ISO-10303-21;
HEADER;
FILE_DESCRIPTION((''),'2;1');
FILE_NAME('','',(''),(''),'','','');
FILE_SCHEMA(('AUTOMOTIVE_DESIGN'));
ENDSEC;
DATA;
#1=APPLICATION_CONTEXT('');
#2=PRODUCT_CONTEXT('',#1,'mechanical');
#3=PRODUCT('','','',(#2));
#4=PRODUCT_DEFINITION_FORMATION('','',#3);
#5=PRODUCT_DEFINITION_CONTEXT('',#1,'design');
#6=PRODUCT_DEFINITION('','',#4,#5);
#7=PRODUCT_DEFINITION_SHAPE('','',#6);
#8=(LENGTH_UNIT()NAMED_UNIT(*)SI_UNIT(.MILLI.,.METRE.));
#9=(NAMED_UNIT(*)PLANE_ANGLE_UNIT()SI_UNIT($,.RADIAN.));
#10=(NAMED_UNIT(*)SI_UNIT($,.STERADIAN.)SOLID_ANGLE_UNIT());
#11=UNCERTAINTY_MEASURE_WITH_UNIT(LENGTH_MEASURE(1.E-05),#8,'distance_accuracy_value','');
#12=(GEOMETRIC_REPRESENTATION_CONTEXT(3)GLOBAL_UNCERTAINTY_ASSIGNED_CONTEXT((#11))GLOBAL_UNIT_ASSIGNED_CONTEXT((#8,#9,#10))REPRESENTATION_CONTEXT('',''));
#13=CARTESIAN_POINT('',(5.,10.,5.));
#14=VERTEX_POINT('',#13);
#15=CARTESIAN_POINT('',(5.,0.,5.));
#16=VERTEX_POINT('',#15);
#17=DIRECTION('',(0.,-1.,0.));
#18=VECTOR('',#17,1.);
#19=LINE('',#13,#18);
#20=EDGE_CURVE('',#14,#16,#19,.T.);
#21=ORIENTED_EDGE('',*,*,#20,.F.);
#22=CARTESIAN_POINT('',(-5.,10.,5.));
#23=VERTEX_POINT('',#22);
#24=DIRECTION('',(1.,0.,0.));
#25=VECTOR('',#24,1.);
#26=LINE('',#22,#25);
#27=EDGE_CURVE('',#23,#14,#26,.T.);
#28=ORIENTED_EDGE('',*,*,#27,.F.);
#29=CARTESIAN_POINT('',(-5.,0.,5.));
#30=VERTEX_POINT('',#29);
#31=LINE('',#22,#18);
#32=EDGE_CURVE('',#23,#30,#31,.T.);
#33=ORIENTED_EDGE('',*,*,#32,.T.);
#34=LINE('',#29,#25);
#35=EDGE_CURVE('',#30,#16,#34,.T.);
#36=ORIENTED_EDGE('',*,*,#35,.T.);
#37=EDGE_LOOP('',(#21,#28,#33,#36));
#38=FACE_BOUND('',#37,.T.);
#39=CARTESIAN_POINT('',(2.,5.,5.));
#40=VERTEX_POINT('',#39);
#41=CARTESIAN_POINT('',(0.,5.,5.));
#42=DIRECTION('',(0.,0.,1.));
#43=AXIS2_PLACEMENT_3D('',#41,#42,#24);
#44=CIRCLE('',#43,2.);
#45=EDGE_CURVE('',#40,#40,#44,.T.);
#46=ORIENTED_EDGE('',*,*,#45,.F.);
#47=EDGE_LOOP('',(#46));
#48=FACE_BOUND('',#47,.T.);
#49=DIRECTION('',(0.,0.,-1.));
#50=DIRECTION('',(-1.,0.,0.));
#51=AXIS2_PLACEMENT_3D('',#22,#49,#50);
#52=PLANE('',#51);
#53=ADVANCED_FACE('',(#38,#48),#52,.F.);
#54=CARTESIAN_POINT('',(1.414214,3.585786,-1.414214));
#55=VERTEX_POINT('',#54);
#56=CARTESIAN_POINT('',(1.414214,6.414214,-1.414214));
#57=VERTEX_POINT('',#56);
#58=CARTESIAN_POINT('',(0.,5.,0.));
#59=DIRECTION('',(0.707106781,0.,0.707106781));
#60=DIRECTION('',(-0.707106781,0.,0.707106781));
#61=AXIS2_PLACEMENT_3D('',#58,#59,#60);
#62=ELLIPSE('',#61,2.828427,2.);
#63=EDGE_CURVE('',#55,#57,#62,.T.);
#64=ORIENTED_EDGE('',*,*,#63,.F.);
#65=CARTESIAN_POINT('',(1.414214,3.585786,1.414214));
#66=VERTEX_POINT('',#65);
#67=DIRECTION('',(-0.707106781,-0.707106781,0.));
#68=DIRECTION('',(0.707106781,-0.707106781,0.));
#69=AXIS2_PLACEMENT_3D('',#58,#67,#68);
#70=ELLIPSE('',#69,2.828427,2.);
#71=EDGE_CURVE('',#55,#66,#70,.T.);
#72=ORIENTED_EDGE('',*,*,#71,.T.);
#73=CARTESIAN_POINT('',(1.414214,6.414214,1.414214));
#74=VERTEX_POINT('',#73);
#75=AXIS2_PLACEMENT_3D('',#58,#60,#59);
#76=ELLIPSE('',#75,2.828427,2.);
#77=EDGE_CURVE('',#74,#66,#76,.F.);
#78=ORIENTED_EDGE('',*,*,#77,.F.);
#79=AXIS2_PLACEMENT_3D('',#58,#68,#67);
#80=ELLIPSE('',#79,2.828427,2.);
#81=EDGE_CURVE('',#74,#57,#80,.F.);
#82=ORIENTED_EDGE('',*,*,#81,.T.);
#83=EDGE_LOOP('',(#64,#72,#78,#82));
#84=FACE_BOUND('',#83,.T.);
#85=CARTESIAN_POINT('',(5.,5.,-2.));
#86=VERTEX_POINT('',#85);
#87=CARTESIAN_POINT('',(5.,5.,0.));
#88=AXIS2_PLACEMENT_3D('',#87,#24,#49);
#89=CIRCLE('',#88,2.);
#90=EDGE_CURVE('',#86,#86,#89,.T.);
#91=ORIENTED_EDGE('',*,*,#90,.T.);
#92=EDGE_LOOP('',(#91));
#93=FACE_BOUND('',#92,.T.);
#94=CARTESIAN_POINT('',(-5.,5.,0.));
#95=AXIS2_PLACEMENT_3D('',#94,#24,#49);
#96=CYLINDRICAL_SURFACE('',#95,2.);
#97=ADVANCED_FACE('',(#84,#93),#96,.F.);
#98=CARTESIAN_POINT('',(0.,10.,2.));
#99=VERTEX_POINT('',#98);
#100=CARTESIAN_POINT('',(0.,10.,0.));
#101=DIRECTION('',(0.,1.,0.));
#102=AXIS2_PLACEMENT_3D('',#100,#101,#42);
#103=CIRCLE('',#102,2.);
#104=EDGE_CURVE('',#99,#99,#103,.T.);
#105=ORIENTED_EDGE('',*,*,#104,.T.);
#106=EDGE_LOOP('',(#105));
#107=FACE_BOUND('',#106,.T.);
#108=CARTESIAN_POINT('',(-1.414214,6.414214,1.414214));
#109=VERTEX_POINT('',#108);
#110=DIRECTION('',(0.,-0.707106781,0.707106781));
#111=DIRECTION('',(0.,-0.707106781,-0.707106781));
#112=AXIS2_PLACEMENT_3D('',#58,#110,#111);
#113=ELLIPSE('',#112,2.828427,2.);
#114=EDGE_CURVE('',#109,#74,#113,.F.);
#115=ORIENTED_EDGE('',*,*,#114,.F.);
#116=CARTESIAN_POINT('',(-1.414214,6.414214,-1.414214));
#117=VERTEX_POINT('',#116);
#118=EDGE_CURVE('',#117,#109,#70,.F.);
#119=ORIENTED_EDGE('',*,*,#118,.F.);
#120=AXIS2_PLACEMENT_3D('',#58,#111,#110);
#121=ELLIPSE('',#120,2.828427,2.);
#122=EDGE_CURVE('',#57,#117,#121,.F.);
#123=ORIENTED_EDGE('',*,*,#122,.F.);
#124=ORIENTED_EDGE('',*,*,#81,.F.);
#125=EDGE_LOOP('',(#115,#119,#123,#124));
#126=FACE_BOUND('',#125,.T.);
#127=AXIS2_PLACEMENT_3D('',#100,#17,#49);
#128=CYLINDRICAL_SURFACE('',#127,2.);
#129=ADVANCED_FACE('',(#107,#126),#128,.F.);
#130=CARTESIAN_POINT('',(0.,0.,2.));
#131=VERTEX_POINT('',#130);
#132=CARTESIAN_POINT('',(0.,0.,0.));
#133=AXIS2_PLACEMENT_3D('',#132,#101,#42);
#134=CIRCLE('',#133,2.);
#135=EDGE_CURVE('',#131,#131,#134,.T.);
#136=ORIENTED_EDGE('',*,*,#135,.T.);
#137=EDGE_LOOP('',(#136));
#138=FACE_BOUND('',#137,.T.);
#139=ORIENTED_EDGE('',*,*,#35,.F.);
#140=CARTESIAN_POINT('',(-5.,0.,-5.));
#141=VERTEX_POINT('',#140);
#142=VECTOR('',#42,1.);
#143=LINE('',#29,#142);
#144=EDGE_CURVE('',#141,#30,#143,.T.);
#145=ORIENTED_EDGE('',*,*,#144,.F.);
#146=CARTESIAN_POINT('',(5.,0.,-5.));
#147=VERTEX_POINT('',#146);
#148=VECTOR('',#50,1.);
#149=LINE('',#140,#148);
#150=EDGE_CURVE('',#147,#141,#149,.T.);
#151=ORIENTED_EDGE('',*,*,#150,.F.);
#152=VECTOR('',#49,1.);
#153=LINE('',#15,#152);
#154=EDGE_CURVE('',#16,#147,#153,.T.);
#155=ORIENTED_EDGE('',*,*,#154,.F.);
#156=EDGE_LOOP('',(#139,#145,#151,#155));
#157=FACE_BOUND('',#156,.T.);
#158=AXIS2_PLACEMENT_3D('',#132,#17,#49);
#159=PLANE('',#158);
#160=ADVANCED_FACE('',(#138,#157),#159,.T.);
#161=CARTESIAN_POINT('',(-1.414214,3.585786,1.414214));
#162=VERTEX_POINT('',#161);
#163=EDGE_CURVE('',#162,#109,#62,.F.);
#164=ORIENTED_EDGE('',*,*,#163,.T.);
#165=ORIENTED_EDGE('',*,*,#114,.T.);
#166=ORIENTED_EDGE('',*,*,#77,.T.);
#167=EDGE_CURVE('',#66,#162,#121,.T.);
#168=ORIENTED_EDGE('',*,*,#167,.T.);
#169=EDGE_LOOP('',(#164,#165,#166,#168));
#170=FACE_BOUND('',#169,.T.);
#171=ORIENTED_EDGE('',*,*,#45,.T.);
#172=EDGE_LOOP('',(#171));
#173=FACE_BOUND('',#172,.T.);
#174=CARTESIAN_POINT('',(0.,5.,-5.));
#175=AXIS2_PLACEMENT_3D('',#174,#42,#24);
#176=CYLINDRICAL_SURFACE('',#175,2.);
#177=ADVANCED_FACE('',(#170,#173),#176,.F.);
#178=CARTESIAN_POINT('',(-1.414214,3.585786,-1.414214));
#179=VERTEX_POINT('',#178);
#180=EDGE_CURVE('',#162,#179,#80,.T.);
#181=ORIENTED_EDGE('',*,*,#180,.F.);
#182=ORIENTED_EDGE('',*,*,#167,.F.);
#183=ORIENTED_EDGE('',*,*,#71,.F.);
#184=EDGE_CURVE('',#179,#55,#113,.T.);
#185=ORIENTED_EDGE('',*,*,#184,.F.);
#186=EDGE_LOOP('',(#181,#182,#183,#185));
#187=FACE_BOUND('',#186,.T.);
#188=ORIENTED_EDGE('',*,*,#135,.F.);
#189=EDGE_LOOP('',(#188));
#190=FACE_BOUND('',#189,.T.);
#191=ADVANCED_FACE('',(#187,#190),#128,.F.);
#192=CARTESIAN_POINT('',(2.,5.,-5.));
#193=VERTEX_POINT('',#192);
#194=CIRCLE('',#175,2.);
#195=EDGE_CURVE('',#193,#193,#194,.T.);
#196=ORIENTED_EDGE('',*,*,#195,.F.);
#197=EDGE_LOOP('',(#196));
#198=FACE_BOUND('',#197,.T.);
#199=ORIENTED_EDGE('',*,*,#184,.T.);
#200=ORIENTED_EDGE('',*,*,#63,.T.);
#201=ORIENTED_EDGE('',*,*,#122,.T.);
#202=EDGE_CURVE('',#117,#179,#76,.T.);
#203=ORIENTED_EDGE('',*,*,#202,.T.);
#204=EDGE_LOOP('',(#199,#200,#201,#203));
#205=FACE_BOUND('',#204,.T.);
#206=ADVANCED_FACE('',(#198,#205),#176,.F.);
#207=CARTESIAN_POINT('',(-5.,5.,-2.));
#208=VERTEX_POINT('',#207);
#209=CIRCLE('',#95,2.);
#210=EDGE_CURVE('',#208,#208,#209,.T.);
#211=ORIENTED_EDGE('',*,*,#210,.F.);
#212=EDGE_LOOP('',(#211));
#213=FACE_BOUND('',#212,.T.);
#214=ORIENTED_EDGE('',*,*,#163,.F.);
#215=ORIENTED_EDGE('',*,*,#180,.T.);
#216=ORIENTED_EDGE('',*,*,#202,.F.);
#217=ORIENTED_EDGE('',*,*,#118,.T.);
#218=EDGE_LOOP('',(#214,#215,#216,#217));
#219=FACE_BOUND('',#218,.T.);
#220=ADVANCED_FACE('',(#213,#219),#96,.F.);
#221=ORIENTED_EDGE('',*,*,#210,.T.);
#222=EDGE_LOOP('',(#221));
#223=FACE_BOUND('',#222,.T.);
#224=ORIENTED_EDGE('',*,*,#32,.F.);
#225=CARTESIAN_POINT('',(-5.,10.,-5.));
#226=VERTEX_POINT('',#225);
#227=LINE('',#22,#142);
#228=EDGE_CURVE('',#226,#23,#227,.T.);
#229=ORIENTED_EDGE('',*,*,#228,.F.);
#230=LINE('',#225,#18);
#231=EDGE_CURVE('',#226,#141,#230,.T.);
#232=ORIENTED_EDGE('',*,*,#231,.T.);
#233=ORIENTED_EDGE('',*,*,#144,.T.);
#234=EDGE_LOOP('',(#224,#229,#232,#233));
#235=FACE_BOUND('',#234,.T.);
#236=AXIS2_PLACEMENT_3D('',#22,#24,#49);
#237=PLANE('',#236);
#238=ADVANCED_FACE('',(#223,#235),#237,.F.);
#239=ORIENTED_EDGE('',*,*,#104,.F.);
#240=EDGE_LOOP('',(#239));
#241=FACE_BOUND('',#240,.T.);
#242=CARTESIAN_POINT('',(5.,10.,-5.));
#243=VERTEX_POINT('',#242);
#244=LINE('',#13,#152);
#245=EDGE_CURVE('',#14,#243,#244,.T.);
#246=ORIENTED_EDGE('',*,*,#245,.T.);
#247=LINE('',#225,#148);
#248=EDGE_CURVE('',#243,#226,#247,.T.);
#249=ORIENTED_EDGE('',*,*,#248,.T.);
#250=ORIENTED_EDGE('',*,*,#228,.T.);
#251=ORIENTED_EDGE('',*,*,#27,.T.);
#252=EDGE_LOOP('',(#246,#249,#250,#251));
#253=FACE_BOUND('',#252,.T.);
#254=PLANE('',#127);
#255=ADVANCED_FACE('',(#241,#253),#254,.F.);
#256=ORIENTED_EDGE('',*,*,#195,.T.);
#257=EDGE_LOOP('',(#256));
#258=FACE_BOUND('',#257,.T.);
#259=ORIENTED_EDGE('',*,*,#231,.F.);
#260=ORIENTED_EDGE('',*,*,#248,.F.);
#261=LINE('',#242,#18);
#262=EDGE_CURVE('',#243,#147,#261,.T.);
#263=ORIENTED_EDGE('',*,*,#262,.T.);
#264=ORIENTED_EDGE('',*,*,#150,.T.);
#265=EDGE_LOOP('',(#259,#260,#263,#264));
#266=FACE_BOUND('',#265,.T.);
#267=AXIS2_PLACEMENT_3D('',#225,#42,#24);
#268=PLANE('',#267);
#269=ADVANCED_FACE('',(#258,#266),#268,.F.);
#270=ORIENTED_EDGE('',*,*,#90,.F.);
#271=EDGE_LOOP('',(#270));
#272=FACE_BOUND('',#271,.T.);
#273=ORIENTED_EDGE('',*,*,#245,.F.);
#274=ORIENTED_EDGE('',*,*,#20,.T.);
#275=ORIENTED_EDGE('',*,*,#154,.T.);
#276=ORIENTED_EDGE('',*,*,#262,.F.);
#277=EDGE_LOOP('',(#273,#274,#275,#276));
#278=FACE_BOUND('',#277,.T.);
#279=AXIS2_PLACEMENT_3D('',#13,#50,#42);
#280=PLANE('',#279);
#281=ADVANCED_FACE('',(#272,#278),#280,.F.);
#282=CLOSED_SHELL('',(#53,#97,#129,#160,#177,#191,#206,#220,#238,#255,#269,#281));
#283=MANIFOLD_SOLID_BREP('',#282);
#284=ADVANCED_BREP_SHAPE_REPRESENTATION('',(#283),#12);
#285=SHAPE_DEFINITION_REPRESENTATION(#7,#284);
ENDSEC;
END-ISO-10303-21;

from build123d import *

# Parameters (mm, degrees)
SKETCH_1_W          = 10
SKETCH_1_H          = 10
SKETCH_1_R          = 2
EXTRUDE_1_DEPTH     = 10
SKETCH_2_R          = 2
CUT_EXTRUDE_1_DEPTH = 10
SKETCH_3_R          = 2
CUT_EXTRUDE_2_DEPTH = 10


with BuildPart() as part:
    # 草图1 → 凸台-拉伸1 (new body)
    with BuildSketch(Plane(origin=(0, 0, 0), x_dir=(1, 0, 0), z_dir=(0, 1, 0))):
        Rectangle(SKETCH_1_W, SKETCH_1_H)
        with Locations(Location((0, 0, 0), (0, 0, 270))):
            Circle(SKETCH_1_R, mode=Mode.SUBTRACT)
    extrude(amount=EXTRUDE_1_DEPTH)

    # 草图2 → 切除-拉伸1 (cut)
    with BuildSketch(Plane.XY.offset(5)):
        with Locations((0, 5)):
            Circle(SKETCH_2_R)
    extrude(amount=-CUT_EXTRUDE_1_DEPTH, mode=Mode.SUBTRACT)

    # 草图3 → 切除-拉伸2 (cut)
    with BuildSketch(Plane(origin=(5, 0, 0), x_dir=(0, 0, -1), z_dir=(1, 0, 0))):
        with Locations((0, 5)):
            Circle(SKETCH_3_R)
    extrude(amount=-CUT_EXTRUDE_2_DEPTH, mode=Mode.SUBTRACT)


solid = part.part
